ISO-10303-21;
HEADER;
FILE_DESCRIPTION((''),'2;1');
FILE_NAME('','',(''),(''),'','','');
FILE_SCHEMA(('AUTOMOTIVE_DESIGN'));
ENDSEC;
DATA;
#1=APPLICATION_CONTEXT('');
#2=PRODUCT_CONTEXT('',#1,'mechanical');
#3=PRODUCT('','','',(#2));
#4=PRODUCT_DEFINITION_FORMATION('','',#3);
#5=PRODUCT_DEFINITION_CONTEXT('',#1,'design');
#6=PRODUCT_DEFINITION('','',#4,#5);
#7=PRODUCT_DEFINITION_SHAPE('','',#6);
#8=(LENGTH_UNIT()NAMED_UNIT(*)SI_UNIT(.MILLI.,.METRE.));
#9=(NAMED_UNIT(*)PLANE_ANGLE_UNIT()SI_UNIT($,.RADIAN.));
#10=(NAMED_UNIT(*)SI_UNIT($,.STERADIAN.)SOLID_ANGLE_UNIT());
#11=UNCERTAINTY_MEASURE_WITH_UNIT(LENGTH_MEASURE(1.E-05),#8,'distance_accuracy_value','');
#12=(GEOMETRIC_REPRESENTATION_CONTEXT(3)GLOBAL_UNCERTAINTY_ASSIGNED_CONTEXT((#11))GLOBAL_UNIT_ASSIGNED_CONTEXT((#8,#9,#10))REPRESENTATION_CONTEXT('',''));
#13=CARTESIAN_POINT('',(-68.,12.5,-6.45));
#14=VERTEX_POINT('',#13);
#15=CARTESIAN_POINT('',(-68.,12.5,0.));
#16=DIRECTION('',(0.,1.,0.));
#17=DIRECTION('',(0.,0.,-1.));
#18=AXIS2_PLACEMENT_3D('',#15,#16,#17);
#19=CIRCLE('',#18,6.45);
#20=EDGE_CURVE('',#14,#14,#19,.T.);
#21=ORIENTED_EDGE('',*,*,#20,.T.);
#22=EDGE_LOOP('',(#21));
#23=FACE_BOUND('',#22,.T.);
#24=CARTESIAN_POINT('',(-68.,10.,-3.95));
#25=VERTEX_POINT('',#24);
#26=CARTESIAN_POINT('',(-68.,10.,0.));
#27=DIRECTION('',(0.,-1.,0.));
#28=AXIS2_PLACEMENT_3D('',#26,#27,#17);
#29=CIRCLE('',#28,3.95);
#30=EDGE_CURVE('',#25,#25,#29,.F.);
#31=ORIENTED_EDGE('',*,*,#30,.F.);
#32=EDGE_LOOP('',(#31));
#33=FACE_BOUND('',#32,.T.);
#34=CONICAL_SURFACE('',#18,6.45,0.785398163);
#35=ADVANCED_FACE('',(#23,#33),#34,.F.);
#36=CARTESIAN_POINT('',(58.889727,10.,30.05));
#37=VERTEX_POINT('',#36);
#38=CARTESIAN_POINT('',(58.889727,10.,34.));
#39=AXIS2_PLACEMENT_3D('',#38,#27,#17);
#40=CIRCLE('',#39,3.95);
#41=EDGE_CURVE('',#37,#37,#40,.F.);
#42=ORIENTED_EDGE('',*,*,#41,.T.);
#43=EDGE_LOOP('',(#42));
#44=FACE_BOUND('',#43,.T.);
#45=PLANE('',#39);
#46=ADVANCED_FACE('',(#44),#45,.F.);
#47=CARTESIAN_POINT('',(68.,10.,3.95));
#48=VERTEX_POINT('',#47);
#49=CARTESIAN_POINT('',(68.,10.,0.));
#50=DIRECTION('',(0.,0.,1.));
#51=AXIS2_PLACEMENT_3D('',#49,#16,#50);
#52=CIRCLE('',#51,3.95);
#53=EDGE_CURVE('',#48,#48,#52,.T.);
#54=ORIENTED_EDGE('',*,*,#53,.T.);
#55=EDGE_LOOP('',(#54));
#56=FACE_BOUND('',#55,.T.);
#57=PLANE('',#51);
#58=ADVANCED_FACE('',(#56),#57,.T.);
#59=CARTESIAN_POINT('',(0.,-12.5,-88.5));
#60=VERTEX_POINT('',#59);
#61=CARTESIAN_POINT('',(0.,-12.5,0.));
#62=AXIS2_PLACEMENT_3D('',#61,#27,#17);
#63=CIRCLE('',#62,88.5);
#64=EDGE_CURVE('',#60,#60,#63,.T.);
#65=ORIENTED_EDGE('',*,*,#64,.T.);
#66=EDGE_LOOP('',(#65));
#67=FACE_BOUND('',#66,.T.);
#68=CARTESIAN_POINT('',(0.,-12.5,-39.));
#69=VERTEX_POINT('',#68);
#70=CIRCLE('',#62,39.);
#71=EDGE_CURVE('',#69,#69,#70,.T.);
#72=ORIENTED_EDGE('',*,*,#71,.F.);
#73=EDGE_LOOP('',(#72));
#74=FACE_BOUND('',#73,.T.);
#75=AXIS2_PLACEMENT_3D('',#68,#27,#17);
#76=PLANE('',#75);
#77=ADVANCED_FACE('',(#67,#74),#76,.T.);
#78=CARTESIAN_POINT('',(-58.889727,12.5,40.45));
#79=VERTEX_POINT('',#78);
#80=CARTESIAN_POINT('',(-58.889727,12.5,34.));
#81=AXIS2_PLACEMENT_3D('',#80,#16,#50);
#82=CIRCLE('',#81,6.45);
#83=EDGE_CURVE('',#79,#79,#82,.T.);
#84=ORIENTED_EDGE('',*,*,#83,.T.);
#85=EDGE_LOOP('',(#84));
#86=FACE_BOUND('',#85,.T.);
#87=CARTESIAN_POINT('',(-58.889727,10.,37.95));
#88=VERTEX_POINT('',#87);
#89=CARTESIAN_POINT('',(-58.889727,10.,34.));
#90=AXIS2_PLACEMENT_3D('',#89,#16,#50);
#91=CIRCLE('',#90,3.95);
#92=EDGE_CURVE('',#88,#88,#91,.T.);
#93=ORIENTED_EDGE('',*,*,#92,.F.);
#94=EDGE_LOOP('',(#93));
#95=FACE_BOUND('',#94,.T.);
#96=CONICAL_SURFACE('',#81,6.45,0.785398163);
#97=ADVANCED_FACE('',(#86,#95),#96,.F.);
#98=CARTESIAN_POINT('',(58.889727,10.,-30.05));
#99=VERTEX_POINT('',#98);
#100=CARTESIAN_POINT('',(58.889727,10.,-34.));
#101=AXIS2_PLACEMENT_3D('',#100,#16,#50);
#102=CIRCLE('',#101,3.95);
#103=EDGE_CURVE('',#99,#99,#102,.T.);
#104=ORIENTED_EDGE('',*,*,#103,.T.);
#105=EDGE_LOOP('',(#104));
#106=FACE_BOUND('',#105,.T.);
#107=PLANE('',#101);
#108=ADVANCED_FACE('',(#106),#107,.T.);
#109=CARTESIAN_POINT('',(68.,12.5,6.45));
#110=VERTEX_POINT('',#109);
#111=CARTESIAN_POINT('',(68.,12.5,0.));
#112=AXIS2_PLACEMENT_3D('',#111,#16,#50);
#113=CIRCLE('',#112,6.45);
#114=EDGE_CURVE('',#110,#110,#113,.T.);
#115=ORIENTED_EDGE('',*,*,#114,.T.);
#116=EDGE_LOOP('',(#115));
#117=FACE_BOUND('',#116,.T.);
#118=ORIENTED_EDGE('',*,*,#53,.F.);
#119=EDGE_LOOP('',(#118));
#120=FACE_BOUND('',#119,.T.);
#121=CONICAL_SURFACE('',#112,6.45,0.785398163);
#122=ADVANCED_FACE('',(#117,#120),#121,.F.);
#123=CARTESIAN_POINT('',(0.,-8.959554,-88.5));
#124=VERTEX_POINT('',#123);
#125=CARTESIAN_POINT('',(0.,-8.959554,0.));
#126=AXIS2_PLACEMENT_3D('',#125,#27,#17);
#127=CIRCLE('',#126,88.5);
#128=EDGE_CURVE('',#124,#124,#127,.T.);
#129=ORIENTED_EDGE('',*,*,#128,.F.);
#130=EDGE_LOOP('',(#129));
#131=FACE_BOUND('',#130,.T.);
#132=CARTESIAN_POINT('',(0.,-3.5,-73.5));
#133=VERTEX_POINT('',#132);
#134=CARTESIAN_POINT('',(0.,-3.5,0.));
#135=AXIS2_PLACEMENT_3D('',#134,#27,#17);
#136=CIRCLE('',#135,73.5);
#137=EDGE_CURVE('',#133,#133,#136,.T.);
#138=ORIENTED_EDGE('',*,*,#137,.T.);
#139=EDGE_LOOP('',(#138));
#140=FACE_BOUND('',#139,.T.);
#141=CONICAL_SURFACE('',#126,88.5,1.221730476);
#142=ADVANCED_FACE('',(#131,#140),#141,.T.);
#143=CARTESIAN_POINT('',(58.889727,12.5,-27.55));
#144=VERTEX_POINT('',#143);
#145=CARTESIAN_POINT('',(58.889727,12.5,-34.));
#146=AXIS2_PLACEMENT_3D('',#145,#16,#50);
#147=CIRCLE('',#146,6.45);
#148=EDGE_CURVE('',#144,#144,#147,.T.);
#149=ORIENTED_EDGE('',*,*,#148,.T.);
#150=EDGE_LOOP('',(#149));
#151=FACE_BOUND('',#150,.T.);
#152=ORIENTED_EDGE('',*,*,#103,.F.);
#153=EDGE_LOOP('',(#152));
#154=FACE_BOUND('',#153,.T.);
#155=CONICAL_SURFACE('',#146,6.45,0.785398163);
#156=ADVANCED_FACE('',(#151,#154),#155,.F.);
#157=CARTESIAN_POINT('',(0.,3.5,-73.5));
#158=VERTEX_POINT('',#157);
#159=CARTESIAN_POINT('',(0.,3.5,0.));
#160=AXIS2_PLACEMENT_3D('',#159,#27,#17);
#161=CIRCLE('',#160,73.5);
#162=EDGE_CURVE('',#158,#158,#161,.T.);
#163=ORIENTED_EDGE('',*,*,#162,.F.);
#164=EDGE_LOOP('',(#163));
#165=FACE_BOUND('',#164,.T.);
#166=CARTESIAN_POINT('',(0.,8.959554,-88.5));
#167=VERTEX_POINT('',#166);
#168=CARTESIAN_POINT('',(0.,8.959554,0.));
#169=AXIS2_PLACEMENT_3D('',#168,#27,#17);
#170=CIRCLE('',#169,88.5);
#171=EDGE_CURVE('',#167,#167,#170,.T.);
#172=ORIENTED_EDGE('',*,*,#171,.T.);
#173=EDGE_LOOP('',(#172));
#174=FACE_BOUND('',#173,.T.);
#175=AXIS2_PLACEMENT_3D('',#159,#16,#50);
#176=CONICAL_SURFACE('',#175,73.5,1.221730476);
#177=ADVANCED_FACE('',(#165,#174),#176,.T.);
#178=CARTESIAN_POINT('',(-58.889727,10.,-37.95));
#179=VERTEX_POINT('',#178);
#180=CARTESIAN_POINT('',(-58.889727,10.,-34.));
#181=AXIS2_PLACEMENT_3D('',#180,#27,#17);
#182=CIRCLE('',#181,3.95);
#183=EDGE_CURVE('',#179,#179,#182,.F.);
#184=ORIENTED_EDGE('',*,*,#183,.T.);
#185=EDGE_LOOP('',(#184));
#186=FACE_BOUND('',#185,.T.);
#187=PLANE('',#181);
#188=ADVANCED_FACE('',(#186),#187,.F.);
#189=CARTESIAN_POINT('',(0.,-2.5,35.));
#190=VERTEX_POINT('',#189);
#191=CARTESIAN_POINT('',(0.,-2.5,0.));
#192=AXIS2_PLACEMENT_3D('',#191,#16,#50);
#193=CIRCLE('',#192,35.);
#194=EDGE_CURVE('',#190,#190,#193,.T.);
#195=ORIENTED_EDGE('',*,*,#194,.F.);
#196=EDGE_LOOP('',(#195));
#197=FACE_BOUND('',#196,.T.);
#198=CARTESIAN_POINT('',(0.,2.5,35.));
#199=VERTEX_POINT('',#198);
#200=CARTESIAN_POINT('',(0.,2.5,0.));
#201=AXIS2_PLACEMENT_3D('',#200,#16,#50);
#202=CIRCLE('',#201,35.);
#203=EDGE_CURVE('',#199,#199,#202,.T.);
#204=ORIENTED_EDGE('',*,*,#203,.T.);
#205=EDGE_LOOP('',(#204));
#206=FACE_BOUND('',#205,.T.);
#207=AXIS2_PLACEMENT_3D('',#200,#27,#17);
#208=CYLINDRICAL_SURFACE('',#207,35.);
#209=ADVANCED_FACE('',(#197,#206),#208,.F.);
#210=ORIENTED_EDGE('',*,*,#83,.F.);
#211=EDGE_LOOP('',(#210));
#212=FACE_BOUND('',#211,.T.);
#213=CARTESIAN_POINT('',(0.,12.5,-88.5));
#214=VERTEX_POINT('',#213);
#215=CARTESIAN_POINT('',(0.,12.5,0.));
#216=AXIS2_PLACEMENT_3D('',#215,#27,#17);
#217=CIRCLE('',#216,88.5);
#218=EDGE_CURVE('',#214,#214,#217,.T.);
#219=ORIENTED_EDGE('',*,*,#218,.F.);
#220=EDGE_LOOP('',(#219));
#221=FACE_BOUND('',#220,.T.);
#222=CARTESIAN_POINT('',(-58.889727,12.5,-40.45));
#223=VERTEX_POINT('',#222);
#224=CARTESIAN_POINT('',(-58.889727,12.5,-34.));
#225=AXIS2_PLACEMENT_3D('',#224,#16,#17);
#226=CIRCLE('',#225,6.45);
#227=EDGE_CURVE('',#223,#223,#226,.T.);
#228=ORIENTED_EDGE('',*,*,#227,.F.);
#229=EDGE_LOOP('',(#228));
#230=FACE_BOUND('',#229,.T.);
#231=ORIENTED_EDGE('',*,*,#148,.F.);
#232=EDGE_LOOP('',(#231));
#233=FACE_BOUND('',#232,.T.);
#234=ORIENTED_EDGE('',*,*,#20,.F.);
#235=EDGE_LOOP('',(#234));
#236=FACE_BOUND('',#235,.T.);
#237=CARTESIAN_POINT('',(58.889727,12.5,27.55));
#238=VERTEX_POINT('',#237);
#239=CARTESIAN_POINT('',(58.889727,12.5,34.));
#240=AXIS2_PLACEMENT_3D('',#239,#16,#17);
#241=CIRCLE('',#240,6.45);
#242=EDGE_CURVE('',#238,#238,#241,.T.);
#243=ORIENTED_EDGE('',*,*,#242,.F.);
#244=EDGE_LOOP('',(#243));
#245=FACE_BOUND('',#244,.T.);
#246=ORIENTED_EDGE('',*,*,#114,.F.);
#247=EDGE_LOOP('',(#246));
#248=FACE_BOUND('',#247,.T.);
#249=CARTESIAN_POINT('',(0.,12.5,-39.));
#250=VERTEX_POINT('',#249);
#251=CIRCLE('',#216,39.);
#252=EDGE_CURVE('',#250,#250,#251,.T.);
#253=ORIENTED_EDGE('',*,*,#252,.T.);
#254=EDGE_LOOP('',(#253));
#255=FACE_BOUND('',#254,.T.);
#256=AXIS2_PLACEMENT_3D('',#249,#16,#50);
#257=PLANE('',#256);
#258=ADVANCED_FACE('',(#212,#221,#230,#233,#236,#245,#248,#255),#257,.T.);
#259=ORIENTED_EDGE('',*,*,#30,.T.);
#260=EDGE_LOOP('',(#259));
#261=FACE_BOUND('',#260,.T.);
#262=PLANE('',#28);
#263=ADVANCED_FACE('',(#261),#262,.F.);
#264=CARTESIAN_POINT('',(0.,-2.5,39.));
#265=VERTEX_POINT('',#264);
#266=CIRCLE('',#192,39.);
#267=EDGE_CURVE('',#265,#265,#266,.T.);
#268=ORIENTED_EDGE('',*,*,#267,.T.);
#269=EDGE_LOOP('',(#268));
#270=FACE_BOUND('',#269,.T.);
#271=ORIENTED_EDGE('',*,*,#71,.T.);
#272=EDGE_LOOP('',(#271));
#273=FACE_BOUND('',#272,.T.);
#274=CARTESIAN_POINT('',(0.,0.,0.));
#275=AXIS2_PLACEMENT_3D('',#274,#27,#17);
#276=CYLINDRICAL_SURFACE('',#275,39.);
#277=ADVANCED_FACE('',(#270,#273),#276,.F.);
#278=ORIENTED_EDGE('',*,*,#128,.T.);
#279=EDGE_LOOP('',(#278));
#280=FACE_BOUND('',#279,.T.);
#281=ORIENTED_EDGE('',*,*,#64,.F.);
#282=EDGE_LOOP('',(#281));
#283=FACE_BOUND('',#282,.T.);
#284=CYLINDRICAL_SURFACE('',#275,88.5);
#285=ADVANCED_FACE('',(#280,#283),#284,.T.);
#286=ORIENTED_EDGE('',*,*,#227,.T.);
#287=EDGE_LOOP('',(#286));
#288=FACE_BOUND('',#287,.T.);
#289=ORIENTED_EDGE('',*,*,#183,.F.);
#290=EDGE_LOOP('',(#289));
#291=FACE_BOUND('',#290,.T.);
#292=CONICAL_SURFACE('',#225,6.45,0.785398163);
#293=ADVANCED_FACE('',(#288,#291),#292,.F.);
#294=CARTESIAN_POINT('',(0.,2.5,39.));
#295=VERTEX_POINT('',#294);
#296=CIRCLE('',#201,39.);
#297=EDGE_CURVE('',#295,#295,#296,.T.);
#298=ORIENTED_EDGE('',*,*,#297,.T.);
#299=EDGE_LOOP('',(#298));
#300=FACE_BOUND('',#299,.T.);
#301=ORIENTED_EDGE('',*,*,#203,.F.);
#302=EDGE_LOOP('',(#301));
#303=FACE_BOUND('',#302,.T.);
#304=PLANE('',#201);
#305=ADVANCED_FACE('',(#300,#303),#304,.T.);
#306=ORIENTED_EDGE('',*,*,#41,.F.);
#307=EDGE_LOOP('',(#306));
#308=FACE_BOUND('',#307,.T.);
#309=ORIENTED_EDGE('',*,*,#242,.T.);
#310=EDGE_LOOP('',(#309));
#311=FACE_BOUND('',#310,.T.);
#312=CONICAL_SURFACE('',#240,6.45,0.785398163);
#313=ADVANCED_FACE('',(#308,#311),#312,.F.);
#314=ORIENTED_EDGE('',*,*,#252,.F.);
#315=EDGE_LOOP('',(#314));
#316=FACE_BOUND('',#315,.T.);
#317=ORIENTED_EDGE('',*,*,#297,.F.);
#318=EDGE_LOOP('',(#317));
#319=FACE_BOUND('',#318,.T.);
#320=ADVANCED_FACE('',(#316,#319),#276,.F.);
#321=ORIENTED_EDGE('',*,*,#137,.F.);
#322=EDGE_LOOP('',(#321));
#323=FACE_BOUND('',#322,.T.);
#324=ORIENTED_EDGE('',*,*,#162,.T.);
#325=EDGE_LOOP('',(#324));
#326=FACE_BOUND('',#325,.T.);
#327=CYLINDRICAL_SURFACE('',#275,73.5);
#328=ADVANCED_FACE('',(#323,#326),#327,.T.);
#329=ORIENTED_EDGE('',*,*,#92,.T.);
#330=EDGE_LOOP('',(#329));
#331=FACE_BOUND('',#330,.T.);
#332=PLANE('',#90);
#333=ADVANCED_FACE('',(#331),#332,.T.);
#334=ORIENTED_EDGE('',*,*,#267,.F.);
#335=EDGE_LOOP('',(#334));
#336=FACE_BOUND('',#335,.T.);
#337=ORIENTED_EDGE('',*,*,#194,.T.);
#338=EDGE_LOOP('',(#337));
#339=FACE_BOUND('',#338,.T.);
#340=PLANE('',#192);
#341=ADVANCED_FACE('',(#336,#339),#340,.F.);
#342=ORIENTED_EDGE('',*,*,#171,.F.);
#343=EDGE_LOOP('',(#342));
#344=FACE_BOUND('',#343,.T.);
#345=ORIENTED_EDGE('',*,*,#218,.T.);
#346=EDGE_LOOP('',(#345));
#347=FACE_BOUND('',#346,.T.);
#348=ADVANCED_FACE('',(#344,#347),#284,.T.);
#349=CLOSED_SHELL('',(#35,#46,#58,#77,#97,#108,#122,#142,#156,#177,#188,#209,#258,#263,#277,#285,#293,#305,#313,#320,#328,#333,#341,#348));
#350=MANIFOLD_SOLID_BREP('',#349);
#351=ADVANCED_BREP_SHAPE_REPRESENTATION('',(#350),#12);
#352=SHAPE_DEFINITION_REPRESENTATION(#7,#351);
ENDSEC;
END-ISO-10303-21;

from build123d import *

# Parameters (mm, degrees)
CROQUIS9_R                      = 6.45
CORTAR_EXTRUIR1_DEPTH           = 2.5
CORTAR_EXTRUIR1_DRAFT           = -45
CORTAR_EXTRUIR1_PROFILE_2_DEPTH = 2.5
CORTAR_EXTRUIR1_PROFILE_2_DRAFT = -45
CORTAR_EXTRUIR1_PROFILE_3_DEPTH = 2.5
CORTAR_EXTRUIR1_PROFILE_3_DRAFT = -45
CORTAR_EXTRUIR1_PROFILE_4_DEPTH = 2.5
CORTAR_EXTRUIR1_PROFILE_4_DRAFT = -45
CORTAR_EXTRUIR1_PROFILE_5_DEPTH = 2.5
CORTAR_EXTRUIR1_PROFILE_5_DRAFT = -45
CORTAR_EXTRUIR1_PROFILE_6_DEPTH = 2.5
CORTAR_EXTRUIR1_PROFILE_6_DRAFT = -45
CROQUIS10_R                     = 39
CROQUIS10_R_2                   = 35
SALIENTE_EXTRUIR1_DEPTH         = 2.5


with BuildPart() as part:
    # Croquis5 → Revolución2 (revolve)
    with BuildSketch(Plane(origin=(0, 0, 0), x_dir=(0, 0, -1), z_dir=(1, 0, 0))):
        Polygon((39, 12.5), (39, -12.5), (88.5, -12.5), (88.5, -8.959553514), (73.5, -3.5), (73.5, 3.5), (88.5, 8.959553514), (88.5, 12.5), align=None)
    revolve(axis=Axis((0, 0, 0), (0, 1, 0)))


with BuildPart() as cortar_extruir1_tool:
    # Croquis9 → Cortar-Extruir1 (with draft: the straight prism first)
    with BuildSketch(Plane(origin=(0, 12.5, 0), x_dir=(1, 0, 0), z_dir=(0, 1, 0))):
        with Locations((58.889727457, 34)):
            Circle(CROQUIS9_R)
    extrude(amount=-CORTAR_EXTRUIR1_DEPTH)
    # Cortar-Extruir1: the draft: its side faces are tilted about the plane it starts from
    cortar_extruir1_sides = [cortar_extruir1_tool.faces().sort_by_distance(p)[0] for p in [
        (52.439727457, 11.25, -34),
    ]]
    draft(cortar_extruir1_sides, Plane(origin=(0, 12.5, 0), x_dir=(1, 0, 0), z_dir=(0, 1, 0)), CORTAR_EXTRUIR1_DRAFT)


with BuildPart() as part_1:
    add(part.part)

    # Cortar-Extruir1: cut by cortar_extruir1_tool
    add(cortar_extruir1_tool.part, mode=Mode.SUBTRACT)


with BuildPart() as cortar_extruir1_profile_2_tool:
    # Croquis9 → Cortar-Extruir1 profile 2 (with draft: the straight prism first)
    with BuildSketch(Plane(origin=(0, 12.5, 0), x_dir=(1, 0, 0), z_dir=(0, 1, 0))):
        with Locations((68, 0)):
            Circle(CROQUIS9_R)
    extrude(amount=-CORTAR_EXTRUIR1_PROFILE_2_DEPTH)
    # Cortar-Extruir1 profile 2: the draft: its side faces are tilted about the plane it starts from
    cortar_extruir1_profile_2_sides = [cortar_extruir1_profile_2_tool.faces().sort_by_distance(p)[0] for p in [
        (61.55, 11.25, 0),
    ]]
    draft(cortar_extruir1_profile_2_sides, Plane(origin=(0, 12.5, 0), x_dir=(1, 0, 0), z_dir=(0, 1, 0)), CORTAR_EXTRUIR1_PROFILE_2_DRAFT)


with BuildPart() as part_2:
    add(part_1.part)

    # Cortar-Extruir1 profile 2: cut by cortar_extruir1_profile_2_tool
    add(cortar_extruir1_profile_2_tool.part, mode=Mode.SUBTRACT)


with BuildPart() as cortar_extruir1_profile_3_tool:
    # Croquis9 → Cortar-Extruir1 profile 3 (with draft: the straight prism first)
    with BuildSketch(Plane(origin=(0, 12.5, 0), x_dir=(1, 0, 0), z_dir=(0, 1, 0))):
        with Locations((58.889727457, -34)):
            Circle(CROQUIS9_R)
    extrude(amount=-CORTAR_EXTRUIR1_PROFILE_3_DEPTH)
    # Cortar-Extruir1 profile 3: the draft: its side faces are tilted about the plane it starts from
    cortar_extruir1_profile_3_sides = [cortar_extruir1_profile_3_tool.faces().sort_by_distance(p)[0] for p in [
        (52.439727457, 11.25, 34),
    ]]
    draft(cortar_extruir1_profile_3_sides, Plane(origin=(0, 12.5, 0), x_dir=(1, 0, 0), z_dir=(0, 1, 0)), CORTAR_EXTRUIR1_PROFILE_3_DRAFT)


with BuildPart() as part_3:
    add(part_2.part)

    # Cortar-Extruir1 profile 3: cut by cortar_extruir1_profile_3_tool
    add(cortar_extruir1_profile_3_tool.part, mode=Mode.SUBTRACT)


with BuildPart() as cortar_extruir1_profile_4_tool:
    # Croquis9 → Cortar-Extruir1 profile 4 (with draft: the straight prism first)
    with BuildSketch(Plane(origin=(0, 12.5, 0), x_dir=(1, 0, 0), z_dir=(0, 1, 0))):
        with Locations((-58.889727457, -34)):
            Circle(CROQUIS9_R)
    extrude(amount=-CORTAR_EXTRUIR1_PROFILE_4_DEPTH)
    # Cortar-Extruir1 profile 4: the draft: its side faces are tilted about the plane it starts from
    cortar_extruir1_profile_4_sides = [cortar_extruir1_profile_4_tool.faces().sort_by_distance(p)[0] for p in [
        (-65.339727457, 11.25, 34),
    ]]
    draft(cortar_extruir1_profile_4_sides, Plane(origin=(0, 12.5, 0), x_dir=(1, 0, 0), z_dir=(0, 1, 0)), CORTAR_EXTRUIR1_PROFILE_4_DRAFT)


with BuildPart() as part_4:
    add(part_3.part)

    # Cortar-Extruir1 profile 4: cut by cortar_extruir1_profile_4_tool
    add(cortar_extruir1_profile_4_tool.part, mode=Mode.SUBTRACT)


with BuildPart() as cortar_extruir1_profile_5_tool:
    # Croquis9 → Cortar-Extruir1 profile 5 (with draft: the straight prism first)
    with BuildSketch(Plane(origin=(0, 12.5, 0), x_dir=(1, 0, 0), z_dir=(0, 1, 0))):
        with Locations((-68, 0)):
            Circle(CROQUIS9_R)
    extrude(amount=-CORTAR_EXTRUIR1_PROFILE_5_DEPTH)
    # Cortar-Extruir1 profile 5: the draft: its side faces are tilted about the plane it starts from
    cortar_extruir1_profile_5_sides = [cortar_extruir1_profile_5_tool.faces().sort_by_distance(p)[0] for p in [
        (-74.45, 11.25, 0),
    ]]
    draft(cortar_extruir1_profile_5_sides, Plane(origin=(0, 12.5, 0), x_dir=(1, 0, 0), z_dir=(0, 1, 0)), CORTAR_EXTRUIR1_PROFILE_5_DRAFT)


with BuildPart() as part_5:
    add(part_4.part)

    # Cortar-Extruir1 profile 5: cut by cortar_extruir1_profile_5_tool
    add(cortar_extruir1_profile_5_tool.part, mode=Mode.SUBTRACT)


with BuildPart() as cortar_extruir1_profile_6_tool:
    # Croquis9 → Cortar-Extruir1 profile 6 (with draft: the straight prism first)
    with BuildSketch(Plane(origin=(0, 12.5, 0), x_dir=(1, 0, 0), z_dir=(0, 1, 0))):
        with Locations((-58.889727457, 34)):
            Circle(CROQUIS9_R)
    extrude(amount=-CORTAR_EXTRUIR1_PROFILE_6_DEPTH)
    # Cortar-Extruir1 profile 6: the draft: its side faces are tilted about the plane it starts from
    cortar_extruir1_profile_6_sides = [cortar_extruir1_profile_6_tool.faces().sort_by_distance(p)[0] for p in [
        (-65.339727457, 11.25, -34),
    ]]
    draft(cortar_extruir1_profile_6_sides, Plane(origin=(0, 12.5, 0), x_dir=(1, 0, 0), z_dir=(0, 1, 0)), CORTAR_EXTRUIR1_PROFILE_6_DRAFT)


with BuildPart() as part_6:
    add(part_5.part)

    # Cortar-Extruir1 profile 6: cut by cortar_extruir1_profile_6_tool
    add(cortar_extruir1_profile_6_tool.part, mode=Mode.SUBTRACT)

    # Croquis10 → Saliente-Extruir1 (add, symmetric)
    with BuildSketch(Plane(origin=(0, 0, 0), x_dir=(1, 0, 0), z_dir=(0, 1, 0))):
        with Locations(Location((0, 0, 0), (0, 0, 90))):
            Circle(CROQUIS10_R)
        with Locations(Location((0, 0, 0), (0, 0, 270))):
            Circle(CROQUIS10_R_2, mode=Mode.SUBTRACT)
    extrude(amount=SALIENTE_EXTRUIR1_DEPTH, both=True)


solid = part_6.part
